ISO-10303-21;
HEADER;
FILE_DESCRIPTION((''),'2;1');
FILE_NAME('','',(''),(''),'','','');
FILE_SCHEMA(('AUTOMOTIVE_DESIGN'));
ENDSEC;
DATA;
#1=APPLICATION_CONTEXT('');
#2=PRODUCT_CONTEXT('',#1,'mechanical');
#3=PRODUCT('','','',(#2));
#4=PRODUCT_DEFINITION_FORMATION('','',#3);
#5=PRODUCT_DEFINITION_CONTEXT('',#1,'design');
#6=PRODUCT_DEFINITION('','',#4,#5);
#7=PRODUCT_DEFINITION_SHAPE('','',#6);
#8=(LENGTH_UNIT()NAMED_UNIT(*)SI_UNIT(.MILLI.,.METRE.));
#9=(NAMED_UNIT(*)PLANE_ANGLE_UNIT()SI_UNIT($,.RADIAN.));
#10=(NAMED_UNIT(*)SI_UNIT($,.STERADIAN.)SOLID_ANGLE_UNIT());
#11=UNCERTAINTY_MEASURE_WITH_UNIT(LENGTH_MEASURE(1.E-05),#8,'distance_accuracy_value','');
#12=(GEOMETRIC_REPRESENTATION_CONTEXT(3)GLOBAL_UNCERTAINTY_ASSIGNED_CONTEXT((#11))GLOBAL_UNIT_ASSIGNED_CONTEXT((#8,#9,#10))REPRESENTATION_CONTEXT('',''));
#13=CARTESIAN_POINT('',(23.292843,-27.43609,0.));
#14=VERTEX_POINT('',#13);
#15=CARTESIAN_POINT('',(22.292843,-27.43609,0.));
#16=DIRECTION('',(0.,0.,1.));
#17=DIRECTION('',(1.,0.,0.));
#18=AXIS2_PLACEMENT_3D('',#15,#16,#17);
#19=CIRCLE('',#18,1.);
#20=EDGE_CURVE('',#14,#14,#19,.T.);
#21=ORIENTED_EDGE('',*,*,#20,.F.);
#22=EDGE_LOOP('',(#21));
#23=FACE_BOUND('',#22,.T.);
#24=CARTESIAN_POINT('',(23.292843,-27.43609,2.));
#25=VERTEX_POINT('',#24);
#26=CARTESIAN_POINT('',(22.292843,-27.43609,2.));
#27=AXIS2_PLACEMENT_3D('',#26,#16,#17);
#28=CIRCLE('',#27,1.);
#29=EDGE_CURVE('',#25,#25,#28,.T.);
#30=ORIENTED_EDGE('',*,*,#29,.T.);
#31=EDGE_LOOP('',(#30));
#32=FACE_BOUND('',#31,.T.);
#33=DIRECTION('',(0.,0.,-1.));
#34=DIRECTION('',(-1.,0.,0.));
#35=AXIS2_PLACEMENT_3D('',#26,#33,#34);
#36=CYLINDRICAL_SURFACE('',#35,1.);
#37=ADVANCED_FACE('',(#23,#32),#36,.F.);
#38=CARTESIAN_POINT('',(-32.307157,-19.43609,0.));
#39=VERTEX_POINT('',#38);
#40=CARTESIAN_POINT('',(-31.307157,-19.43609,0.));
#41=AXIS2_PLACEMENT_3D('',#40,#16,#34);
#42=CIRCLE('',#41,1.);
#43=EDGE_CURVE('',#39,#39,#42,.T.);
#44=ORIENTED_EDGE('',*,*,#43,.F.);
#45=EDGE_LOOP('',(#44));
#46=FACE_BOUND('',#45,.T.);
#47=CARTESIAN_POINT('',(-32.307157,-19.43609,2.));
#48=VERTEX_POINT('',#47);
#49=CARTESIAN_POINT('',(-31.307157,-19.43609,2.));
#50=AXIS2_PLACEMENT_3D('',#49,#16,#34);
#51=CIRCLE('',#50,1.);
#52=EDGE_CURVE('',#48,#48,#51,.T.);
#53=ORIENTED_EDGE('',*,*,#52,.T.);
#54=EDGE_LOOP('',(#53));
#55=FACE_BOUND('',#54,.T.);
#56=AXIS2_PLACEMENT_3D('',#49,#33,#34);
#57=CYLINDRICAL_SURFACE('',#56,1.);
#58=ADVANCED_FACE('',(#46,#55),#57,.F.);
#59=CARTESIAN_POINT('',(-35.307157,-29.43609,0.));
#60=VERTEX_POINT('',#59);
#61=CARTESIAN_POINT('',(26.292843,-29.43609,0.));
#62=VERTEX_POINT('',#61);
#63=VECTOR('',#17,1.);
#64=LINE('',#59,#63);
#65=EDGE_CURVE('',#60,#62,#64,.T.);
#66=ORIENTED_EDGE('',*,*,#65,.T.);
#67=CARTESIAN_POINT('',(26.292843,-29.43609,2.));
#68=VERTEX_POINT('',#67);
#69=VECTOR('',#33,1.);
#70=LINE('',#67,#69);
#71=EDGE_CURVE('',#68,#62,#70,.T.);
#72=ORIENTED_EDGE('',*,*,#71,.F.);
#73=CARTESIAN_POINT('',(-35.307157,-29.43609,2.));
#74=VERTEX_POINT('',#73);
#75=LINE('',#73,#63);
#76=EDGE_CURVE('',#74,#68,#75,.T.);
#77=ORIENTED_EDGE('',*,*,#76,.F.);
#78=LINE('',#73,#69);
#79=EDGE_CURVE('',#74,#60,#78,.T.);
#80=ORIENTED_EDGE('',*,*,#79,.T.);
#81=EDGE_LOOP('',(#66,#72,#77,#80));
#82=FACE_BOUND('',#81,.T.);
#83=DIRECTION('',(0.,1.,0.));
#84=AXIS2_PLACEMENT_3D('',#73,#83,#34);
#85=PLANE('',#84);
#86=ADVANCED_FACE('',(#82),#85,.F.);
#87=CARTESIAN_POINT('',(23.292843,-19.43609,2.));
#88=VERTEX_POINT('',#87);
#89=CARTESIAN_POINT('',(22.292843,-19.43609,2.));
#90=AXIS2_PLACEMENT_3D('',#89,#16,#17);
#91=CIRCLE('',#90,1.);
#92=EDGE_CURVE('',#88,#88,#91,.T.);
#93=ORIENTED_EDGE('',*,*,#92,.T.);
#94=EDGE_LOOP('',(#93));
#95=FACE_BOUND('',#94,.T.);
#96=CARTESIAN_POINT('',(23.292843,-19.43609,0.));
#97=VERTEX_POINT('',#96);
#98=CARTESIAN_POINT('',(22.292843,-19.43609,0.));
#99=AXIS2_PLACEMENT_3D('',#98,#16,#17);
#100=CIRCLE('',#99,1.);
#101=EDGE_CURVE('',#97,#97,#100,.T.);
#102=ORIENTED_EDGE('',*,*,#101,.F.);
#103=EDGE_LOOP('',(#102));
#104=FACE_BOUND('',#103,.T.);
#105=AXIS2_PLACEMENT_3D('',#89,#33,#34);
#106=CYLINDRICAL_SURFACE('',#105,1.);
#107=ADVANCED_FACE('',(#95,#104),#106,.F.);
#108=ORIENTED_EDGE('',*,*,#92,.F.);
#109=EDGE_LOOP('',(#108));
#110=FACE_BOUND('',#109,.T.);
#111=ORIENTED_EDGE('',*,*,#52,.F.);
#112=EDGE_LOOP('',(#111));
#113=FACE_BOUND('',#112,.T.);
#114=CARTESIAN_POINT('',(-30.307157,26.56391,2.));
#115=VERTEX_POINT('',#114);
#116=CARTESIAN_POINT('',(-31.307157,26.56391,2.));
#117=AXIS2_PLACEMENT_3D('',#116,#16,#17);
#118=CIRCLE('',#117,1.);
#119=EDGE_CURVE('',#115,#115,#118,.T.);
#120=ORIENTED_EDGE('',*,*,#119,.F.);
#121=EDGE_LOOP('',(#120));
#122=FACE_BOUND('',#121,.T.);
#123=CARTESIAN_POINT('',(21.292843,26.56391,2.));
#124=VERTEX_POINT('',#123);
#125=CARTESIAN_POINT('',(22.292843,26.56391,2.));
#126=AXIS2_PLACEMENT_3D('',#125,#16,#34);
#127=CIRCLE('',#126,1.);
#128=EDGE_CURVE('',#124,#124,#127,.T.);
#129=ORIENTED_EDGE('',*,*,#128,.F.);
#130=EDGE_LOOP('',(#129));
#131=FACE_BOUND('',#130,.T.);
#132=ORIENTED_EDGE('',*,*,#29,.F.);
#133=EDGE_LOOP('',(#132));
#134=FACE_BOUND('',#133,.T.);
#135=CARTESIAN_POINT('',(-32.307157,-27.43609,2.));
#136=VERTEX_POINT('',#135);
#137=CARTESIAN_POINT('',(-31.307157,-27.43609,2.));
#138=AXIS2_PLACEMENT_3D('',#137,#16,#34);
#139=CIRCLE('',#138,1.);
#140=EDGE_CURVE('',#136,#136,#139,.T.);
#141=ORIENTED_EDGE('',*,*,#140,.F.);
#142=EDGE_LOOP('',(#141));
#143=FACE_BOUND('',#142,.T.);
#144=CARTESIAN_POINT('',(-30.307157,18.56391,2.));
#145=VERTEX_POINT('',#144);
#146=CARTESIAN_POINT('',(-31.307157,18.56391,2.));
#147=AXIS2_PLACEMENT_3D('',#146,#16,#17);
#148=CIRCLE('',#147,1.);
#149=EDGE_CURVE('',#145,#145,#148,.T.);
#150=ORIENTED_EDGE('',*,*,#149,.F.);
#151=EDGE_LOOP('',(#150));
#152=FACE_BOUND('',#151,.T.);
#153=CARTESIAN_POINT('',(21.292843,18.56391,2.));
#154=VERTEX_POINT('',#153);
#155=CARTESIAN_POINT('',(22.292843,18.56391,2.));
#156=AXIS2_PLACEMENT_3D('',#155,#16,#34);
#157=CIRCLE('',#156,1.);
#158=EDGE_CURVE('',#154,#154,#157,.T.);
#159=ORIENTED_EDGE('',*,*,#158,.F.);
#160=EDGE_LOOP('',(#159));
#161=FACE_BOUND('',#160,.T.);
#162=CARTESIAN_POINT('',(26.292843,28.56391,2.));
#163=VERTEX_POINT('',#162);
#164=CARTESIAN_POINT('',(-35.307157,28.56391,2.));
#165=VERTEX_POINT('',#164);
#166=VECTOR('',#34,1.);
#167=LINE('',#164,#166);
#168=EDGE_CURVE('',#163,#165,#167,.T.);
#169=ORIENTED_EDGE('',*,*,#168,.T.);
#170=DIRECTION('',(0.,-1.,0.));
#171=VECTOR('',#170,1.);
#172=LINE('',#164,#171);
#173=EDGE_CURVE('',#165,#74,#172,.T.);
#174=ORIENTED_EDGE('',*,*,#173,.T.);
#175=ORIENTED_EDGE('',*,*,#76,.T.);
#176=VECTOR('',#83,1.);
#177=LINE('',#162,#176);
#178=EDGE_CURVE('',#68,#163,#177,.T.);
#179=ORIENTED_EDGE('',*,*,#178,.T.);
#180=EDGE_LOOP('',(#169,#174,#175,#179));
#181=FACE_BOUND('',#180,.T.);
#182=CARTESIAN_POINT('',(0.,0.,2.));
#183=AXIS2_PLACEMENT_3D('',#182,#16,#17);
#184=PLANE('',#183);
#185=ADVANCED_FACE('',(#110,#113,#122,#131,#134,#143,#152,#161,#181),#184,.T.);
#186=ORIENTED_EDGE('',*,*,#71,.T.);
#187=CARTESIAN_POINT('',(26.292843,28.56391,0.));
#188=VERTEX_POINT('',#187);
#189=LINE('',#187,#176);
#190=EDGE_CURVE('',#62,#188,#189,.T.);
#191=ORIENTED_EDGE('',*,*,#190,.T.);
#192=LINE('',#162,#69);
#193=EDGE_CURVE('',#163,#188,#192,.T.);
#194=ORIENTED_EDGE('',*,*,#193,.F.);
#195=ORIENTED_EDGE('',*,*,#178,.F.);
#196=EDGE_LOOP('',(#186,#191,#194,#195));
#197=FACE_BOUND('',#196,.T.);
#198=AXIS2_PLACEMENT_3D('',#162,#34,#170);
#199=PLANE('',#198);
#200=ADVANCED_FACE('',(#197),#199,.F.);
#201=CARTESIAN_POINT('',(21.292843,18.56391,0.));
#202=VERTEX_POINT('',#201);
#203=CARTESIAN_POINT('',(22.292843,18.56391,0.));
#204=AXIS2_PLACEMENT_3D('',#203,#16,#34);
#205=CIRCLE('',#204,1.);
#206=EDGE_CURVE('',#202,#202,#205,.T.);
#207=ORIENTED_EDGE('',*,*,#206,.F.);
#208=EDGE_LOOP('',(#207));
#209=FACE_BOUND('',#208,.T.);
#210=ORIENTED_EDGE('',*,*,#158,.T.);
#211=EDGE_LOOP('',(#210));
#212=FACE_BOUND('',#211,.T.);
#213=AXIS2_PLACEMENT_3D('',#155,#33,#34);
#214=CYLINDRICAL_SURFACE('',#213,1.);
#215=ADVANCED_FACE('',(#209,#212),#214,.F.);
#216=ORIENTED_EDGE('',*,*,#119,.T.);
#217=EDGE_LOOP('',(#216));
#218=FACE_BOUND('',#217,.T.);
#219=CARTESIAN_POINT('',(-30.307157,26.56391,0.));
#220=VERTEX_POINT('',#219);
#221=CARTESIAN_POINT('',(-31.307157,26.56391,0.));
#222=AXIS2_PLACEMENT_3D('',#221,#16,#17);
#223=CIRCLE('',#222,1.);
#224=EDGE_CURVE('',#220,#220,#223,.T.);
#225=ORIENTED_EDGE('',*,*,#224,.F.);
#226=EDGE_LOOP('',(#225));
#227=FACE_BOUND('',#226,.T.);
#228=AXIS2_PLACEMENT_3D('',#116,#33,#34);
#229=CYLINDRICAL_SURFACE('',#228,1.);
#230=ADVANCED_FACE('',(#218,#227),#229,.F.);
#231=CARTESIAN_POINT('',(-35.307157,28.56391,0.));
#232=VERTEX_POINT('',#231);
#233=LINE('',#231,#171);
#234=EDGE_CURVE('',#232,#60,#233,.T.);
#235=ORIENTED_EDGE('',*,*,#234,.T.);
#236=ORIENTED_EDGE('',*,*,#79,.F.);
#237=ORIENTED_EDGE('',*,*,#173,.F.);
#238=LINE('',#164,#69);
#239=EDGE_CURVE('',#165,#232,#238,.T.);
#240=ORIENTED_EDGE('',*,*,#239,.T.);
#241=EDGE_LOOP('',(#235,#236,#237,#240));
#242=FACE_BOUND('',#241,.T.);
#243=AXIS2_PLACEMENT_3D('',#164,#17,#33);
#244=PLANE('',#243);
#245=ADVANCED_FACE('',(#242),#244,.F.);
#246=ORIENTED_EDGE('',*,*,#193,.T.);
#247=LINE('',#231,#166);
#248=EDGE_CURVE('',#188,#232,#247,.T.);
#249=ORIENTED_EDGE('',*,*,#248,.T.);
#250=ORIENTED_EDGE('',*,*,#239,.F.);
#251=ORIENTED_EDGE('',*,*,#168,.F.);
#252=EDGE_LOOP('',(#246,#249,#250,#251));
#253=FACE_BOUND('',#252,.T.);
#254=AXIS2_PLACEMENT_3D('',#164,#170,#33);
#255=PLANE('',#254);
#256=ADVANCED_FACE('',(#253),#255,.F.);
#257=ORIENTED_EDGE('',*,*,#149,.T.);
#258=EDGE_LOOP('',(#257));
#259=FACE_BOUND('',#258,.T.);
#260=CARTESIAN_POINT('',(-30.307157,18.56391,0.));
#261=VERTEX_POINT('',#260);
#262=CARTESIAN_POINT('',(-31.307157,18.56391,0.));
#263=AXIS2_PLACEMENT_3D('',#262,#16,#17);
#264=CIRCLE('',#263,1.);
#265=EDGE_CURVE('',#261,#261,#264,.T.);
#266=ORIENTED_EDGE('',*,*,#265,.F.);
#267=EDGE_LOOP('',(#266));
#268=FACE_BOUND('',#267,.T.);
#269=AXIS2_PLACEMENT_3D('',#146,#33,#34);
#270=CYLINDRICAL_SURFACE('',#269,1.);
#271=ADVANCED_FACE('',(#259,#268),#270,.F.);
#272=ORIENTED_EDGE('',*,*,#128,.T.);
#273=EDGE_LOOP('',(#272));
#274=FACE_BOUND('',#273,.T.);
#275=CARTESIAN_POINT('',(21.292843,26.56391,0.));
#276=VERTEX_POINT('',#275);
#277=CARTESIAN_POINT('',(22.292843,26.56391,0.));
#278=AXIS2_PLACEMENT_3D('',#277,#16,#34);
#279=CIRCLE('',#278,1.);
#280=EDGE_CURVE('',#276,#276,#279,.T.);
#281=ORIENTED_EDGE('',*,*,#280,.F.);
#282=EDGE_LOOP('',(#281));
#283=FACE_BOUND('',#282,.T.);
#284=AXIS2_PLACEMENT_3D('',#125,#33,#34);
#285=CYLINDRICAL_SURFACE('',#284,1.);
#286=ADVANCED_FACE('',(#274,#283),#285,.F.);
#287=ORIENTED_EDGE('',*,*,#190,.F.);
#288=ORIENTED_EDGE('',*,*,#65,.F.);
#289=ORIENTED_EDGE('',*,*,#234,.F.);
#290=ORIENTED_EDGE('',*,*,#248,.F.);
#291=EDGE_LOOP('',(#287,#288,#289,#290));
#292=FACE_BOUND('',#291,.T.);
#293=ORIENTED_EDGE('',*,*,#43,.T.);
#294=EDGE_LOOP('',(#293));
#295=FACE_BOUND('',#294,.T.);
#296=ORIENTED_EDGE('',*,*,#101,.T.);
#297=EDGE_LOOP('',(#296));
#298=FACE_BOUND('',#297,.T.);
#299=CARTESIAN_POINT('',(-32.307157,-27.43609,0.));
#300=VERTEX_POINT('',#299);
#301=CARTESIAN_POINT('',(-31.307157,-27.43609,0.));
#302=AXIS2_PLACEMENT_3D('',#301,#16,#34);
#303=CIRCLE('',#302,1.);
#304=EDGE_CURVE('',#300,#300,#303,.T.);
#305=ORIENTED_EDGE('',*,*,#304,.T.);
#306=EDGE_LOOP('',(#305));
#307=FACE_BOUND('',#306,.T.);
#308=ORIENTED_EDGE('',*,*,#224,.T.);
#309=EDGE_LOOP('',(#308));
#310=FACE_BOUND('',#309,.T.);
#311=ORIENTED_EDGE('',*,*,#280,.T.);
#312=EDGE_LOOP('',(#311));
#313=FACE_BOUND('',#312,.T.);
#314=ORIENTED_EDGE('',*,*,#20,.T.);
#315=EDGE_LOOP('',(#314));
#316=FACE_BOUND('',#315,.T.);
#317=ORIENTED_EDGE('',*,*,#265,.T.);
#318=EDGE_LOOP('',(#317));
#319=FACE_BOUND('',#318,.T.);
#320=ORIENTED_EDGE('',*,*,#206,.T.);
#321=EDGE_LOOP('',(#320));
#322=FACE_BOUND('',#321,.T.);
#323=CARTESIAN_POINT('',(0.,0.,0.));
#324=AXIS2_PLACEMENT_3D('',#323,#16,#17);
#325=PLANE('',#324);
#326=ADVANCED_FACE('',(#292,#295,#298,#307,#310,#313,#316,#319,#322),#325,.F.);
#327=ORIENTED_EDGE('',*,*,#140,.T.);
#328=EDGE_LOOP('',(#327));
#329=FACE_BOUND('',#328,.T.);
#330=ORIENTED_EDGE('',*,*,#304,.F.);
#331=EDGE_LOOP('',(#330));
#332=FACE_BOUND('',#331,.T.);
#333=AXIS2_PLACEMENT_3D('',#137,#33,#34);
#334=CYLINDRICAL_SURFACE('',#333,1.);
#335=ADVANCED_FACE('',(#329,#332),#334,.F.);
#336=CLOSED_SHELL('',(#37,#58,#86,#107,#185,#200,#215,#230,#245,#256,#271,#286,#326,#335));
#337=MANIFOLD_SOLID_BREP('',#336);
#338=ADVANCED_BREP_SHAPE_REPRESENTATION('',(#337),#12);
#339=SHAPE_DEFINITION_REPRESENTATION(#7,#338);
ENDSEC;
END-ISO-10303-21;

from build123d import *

# Parameters (mm, degrees)
SKETCH_1_W      = 61.6
SKETCH_1_H      = 58
SKETCH_1_R      = 1
EXTRUDE_1_DEPTH = 2


with BuildPart() as part:
    # 草圖1 → 填料-伸長1 (new body)
    with BuildSketch(Plane.XY):
        with Locations((-4.507156781, -0.436090226)):
            Rectangle(SKETCH_1_W, SKETCH_1_H)
        with Locations((-31.307156781, 26.563909774)):
            Circle(SKETCH_1_R, mode=Mode.SUBTRACT)
        with Locations((-31.307156781, 18.563909774)):
            Circle(SKETCH_1_R, mode=Mode.SUBTRACT)
        with Locations(Location((22.292843219, 18.563909774, 0), (0, 0, 180))):
            Circle(SKETCH_1_R, mode=Mode.SUBTRACT)
        with Locations(Location((22.292843219, 26.563909774, 0), (0, 0, 180))):
            Circle(SKETCH_1_R, mode=Mode.SUBTRACT)
        with Locations((22.292843219, -27.436090226)):
            Circle(SKETCH_1_R, mode=Mode.SUBTRACT)
        with Locations((22.292843219, -19.436090226)):
            Circle(SKETCH_1_R, mode=Mode.SUBTRACT)
        with Locations(Location((-31.307156781, -19.436090226, 0), (0, 0, 180))):
            Circle(SKETCH_1_R, mode=Mode.SUBTRACT)
        with Locations(Location((-31.307156781, -27.436090226, 0), (0, 0, 180))):
            Circle(SKETCH_1_R, mode=Mode.SUBTRACT)
    extrude(amount=EXTRUDE_1_DEPTH)


solid = part.part
